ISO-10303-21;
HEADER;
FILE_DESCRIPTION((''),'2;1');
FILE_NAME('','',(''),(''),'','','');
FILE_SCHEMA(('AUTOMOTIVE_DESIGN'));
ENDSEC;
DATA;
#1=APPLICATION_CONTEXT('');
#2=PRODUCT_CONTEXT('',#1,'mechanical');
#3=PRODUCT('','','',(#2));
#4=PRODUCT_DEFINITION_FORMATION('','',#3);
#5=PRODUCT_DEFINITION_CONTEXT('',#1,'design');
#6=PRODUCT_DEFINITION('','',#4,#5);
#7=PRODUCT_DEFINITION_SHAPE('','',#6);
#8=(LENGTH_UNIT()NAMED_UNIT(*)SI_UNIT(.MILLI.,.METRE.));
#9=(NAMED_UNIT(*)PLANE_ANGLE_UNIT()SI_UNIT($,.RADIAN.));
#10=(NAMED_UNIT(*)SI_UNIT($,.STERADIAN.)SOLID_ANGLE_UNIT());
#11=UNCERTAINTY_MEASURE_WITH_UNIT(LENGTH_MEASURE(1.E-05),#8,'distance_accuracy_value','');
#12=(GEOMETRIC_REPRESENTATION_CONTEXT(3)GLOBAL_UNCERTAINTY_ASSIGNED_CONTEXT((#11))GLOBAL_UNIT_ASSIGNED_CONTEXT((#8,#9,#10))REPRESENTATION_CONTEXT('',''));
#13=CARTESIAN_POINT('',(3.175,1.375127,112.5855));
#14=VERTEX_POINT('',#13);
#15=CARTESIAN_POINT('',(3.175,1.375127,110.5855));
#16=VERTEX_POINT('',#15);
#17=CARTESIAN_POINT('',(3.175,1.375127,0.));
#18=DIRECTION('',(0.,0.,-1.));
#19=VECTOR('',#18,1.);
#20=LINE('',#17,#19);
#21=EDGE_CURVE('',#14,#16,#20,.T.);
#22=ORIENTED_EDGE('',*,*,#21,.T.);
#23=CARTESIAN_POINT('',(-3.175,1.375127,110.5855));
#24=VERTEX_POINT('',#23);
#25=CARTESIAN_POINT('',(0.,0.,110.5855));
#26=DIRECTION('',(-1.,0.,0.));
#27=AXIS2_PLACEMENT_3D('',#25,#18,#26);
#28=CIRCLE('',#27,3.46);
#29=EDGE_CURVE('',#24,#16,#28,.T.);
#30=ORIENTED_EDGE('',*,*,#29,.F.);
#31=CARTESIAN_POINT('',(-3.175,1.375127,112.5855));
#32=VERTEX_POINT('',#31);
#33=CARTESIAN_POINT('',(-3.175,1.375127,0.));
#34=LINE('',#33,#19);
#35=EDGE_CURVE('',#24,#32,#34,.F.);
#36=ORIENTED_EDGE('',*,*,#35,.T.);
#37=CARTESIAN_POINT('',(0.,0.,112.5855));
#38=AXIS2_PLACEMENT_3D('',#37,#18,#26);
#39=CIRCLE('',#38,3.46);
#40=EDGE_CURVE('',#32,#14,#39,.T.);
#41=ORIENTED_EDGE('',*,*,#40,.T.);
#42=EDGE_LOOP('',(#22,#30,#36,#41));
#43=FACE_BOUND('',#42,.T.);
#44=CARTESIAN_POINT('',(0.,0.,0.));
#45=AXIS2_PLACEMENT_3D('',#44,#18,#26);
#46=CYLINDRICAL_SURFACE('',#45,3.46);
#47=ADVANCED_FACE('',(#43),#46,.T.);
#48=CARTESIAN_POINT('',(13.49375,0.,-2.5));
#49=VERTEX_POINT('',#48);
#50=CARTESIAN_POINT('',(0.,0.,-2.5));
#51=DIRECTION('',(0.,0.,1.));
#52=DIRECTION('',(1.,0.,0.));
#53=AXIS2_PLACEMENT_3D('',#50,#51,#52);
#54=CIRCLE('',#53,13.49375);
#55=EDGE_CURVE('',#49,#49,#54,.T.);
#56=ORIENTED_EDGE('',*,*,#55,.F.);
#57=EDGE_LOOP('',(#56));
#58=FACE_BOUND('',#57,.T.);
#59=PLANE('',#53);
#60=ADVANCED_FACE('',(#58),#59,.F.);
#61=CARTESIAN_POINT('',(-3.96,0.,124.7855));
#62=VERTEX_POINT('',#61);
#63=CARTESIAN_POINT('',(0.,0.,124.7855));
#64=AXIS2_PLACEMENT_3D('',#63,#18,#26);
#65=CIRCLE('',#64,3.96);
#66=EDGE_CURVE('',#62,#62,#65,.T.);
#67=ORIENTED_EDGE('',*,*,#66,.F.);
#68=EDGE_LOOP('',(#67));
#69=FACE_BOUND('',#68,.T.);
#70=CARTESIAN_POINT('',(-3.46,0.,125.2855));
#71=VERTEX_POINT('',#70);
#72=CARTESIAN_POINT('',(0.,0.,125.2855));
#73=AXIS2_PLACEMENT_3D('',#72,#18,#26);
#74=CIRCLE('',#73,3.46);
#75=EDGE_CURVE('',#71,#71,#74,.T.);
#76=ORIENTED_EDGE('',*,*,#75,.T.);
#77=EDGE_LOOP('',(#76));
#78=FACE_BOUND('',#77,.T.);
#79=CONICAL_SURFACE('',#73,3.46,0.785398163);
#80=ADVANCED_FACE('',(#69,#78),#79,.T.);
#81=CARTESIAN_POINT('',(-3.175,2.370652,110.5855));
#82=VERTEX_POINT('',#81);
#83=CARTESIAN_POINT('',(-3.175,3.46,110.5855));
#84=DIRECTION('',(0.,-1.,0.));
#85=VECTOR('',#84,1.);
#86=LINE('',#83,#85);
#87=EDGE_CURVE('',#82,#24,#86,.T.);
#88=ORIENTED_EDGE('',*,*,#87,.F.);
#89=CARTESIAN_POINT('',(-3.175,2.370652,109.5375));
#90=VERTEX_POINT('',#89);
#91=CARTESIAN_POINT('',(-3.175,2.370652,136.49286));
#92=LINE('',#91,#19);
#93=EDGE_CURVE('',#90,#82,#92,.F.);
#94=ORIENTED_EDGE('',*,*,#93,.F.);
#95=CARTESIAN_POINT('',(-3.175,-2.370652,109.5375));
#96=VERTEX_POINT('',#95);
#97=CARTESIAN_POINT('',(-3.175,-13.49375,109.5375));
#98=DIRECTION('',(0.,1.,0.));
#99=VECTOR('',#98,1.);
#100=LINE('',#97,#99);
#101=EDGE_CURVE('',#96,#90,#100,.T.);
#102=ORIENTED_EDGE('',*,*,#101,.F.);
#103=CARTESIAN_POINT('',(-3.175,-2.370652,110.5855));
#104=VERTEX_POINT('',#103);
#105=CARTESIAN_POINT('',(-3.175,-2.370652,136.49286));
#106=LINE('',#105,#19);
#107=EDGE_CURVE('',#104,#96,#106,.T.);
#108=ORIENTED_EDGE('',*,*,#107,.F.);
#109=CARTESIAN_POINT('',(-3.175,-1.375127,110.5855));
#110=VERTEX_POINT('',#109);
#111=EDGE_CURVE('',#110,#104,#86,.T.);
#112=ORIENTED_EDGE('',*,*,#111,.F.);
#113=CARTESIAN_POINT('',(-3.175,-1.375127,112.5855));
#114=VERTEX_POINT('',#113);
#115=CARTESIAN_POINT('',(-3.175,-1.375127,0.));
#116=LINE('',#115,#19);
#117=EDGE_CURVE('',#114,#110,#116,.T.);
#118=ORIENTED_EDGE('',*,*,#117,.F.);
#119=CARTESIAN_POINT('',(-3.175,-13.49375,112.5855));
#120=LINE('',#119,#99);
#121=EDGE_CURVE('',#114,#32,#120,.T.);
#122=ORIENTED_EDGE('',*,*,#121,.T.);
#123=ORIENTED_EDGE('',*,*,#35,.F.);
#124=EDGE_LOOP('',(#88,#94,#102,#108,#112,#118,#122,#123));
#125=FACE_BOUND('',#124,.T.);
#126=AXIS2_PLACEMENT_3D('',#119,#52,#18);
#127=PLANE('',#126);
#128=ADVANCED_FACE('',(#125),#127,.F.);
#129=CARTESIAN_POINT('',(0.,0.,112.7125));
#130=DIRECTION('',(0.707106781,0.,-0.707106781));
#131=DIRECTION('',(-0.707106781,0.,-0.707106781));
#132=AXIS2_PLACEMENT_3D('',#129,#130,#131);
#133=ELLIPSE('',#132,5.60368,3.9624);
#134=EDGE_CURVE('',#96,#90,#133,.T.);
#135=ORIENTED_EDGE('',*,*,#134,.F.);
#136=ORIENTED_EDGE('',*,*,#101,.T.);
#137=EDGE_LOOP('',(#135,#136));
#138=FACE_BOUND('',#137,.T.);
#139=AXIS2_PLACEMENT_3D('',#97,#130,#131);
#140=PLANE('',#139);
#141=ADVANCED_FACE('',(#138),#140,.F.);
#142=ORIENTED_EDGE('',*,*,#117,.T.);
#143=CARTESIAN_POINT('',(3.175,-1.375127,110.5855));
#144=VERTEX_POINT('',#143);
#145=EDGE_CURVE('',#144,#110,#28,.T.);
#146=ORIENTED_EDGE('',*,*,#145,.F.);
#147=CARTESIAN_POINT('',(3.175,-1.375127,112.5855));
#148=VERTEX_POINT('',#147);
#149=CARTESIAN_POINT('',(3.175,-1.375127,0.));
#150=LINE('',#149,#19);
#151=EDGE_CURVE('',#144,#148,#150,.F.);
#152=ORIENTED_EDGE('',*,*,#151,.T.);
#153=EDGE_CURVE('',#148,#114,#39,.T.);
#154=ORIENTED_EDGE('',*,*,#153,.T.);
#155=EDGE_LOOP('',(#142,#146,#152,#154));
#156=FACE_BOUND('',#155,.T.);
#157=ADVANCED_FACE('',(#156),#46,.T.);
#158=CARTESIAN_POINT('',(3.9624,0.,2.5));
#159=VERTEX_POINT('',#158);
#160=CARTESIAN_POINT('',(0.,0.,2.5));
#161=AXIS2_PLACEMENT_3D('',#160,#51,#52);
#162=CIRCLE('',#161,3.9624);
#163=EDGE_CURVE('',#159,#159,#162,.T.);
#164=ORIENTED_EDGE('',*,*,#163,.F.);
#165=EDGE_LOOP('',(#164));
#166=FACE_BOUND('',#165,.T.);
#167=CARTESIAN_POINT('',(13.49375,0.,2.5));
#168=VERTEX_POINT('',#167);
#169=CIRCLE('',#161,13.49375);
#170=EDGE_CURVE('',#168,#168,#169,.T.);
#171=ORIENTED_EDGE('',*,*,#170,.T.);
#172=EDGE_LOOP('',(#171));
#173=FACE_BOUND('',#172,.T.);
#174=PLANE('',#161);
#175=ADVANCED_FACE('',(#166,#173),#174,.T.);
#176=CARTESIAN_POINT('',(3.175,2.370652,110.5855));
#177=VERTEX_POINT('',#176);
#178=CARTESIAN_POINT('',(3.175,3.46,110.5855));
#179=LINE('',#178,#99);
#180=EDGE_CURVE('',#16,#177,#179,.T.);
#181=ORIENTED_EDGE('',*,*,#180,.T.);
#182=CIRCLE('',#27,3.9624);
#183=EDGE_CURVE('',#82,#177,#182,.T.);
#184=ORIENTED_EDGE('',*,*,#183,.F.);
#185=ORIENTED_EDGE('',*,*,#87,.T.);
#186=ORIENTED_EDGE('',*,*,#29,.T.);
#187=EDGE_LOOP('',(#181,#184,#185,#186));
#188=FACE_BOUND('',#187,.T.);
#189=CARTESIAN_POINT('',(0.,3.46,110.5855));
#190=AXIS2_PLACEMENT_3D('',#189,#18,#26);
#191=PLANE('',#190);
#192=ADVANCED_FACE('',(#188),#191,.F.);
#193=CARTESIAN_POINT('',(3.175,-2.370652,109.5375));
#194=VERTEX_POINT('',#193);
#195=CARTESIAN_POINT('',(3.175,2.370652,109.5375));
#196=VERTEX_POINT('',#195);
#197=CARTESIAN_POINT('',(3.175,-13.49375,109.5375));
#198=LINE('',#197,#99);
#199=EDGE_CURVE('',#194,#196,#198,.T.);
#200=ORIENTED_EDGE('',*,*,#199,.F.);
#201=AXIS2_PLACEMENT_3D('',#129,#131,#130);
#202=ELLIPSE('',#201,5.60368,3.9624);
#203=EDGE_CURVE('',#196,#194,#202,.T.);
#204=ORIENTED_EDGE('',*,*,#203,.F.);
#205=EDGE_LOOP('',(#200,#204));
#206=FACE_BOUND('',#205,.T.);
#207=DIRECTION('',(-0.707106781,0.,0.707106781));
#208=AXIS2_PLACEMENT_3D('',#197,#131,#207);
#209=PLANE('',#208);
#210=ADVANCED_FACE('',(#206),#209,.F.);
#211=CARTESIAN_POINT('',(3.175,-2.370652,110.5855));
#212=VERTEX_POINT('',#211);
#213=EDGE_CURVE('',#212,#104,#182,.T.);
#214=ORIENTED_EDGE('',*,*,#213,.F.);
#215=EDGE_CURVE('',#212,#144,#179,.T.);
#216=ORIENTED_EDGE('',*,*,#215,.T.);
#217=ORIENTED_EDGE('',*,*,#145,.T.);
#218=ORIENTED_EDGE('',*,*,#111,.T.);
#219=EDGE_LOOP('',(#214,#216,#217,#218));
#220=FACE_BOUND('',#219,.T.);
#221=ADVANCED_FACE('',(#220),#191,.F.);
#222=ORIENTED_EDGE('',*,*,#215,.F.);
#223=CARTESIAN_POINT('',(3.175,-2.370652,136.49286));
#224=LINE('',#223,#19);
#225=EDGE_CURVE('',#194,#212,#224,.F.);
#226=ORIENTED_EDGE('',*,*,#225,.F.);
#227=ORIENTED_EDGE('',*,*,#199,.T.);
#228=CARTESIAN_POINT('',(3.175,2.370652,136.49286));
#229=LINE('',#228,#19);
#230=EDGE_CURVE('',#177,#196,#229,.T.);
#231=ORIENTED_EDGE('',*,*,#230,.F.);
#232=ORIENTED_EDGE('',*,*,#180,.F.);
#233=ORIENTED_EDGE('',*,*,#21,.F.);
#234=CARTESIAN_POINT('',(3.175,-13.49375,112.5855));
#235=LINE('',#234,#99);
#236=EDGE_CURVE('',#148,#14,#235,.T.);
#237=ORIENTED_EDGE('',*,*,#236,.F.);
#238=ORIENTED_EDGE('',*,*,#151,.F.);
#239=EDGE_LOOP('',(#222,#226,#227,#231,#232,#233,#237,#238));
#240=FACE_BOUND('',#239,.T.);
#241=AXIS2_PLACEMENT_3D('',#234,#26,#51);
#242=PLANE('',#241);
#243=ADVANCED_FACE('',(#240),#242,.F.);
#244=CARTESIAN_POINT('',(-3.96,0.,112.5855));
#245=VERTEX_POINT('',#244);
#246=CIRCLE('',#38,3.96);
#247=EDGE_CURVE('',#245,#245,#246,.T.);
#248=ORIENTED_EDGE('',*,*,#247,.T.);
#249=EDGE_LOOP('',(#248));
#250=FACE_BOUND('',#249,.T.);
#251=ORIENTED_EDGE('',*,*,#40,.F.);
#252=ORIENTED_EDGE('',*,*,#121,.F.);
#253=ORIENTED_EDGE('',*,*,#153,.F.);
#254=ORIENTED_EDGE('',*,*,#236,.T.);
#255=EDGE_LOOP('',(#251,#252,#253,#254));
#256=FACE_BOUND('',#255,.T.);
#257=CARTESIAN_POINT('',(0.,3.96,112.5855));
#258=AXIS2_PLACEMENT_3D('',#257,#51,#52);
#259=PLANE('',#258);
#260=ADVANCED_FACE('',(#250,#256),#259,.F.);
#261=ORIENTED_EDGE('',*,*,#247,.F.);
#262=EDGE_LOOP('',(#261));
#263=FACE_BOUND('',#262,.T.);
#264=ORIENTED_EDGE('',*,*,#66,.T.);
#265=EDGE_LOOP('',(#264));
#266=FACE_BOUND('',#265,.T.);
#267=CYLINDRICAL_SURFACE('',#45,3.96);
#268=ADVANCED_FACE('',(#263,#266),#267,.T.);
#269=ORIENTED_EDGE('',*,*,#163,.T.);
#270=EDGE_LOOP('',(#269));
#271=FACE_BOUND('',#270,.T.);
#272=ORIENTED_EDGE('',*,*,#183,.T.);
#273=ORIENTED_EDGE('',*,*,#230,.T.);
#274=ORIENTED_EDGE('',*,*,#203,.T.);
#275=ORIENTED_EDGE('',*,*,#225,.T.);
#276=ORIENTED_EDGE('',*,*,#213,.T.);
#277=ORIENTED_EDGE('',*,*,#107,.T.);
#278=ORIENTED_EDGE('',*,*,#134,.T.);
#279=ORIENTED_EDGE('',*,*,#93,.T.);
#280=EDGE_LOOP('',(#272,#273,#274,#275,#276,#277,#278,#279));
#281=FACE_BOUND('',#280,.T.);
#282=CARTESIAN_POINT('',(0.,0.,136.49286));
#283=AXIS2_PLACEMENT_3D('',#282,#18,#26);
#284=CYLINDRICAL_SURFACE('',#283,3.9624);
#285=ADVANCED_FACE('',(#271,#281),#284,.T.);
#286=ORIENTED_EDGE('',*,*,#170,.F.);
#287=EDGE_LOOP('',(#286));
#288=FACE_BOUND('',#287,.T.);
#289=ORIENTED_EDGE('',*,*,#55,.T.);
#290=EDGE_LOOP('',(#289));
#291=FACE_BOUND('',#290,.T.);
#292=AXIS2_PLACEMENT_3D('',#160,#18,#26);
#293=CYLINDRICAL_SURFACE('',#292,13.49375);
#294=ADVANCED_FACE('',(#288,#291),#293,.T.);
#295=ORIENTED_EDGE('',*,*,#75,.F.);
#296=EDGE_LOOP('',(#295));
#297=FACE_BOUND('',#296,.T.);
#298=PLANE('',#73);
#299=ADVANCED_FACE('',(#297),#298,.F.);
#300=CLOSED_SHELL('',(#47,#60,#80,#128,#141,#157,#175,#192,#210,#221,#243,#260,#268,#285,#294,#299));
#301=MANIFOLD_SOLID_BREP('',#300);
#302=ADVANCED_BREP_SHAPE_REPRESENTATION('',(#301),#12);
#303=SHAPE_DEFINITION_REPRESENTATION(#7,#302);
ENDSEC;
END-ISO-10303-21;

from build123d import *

# Parameters (mm, degrees)
SKETCH1_R        = 3.9624
EXTRUDE1_DEPTH   = 125.2855
SKETCH2_R        = 13.49375
PISTON_DEPTH     = 2.5
FLATS_DEPTH      = 14.49375
FLATS_DEPTH_BACK = 14.49375


with BuildPart() as part:
    # Sketch1 → Extrude1 (new body)
    with BuildSketch(Plane.XY):
        Circle(SKETCH1_R)
    extrude(amount=EXTRUDE1_DEPTH)

    # Sketch2 → Piston (add, symmetric)
    with BuildSketch(Plane.XY):
        Circle(SKETCH2_R)
    extrude(amount=PISTON_DEPTH, both=True)

    # Sketch3 → Threads (revolve, cut)
    with BuildSketch(Plane(origin=(0, 0, 0), x_dir=(0, 0, -1), z_dir=(1, 0, 0))):
        Polygon((-125.2855, 13.49375), (-110.5855, 13.49375), (-110.5855, 3.46), (-112.5855, 3.46), (-112.5855, 3.96), (-124.7855, 3.96), (-125.2855, 3.46), align=None)
    revolve(axis=Axis((0, 0, 0), (0, 0, 1)), mode=Mode.SUBTRACT)

    # Sketch4 → Flats (cut, two sides)
    with BuildSketch(Plane(origin=(0, 0, 0), x_dir=(1, 0, 0), z_dir=(0, 1, 0))) as flats_sk:
        Polygon((3.9624, -112.5855), (3.175, -112.5855), (3.175, -109.5375), (3.9624, -108.7501), align=None)
        Polygon((-3.9624, -108.7501), (-3.9624, -112.5855), (-3.175, -112.5855), (-3.175, -109.5375), align=None)
    extrude(amount=FLATS_DEPTH, mode=Mode.SUBTRACT)
    extrude(flats_sk.sketch, amount=-FLATS_DEPTH_BACK, mode=Mode.SUBTRACT)


solid = part.part
